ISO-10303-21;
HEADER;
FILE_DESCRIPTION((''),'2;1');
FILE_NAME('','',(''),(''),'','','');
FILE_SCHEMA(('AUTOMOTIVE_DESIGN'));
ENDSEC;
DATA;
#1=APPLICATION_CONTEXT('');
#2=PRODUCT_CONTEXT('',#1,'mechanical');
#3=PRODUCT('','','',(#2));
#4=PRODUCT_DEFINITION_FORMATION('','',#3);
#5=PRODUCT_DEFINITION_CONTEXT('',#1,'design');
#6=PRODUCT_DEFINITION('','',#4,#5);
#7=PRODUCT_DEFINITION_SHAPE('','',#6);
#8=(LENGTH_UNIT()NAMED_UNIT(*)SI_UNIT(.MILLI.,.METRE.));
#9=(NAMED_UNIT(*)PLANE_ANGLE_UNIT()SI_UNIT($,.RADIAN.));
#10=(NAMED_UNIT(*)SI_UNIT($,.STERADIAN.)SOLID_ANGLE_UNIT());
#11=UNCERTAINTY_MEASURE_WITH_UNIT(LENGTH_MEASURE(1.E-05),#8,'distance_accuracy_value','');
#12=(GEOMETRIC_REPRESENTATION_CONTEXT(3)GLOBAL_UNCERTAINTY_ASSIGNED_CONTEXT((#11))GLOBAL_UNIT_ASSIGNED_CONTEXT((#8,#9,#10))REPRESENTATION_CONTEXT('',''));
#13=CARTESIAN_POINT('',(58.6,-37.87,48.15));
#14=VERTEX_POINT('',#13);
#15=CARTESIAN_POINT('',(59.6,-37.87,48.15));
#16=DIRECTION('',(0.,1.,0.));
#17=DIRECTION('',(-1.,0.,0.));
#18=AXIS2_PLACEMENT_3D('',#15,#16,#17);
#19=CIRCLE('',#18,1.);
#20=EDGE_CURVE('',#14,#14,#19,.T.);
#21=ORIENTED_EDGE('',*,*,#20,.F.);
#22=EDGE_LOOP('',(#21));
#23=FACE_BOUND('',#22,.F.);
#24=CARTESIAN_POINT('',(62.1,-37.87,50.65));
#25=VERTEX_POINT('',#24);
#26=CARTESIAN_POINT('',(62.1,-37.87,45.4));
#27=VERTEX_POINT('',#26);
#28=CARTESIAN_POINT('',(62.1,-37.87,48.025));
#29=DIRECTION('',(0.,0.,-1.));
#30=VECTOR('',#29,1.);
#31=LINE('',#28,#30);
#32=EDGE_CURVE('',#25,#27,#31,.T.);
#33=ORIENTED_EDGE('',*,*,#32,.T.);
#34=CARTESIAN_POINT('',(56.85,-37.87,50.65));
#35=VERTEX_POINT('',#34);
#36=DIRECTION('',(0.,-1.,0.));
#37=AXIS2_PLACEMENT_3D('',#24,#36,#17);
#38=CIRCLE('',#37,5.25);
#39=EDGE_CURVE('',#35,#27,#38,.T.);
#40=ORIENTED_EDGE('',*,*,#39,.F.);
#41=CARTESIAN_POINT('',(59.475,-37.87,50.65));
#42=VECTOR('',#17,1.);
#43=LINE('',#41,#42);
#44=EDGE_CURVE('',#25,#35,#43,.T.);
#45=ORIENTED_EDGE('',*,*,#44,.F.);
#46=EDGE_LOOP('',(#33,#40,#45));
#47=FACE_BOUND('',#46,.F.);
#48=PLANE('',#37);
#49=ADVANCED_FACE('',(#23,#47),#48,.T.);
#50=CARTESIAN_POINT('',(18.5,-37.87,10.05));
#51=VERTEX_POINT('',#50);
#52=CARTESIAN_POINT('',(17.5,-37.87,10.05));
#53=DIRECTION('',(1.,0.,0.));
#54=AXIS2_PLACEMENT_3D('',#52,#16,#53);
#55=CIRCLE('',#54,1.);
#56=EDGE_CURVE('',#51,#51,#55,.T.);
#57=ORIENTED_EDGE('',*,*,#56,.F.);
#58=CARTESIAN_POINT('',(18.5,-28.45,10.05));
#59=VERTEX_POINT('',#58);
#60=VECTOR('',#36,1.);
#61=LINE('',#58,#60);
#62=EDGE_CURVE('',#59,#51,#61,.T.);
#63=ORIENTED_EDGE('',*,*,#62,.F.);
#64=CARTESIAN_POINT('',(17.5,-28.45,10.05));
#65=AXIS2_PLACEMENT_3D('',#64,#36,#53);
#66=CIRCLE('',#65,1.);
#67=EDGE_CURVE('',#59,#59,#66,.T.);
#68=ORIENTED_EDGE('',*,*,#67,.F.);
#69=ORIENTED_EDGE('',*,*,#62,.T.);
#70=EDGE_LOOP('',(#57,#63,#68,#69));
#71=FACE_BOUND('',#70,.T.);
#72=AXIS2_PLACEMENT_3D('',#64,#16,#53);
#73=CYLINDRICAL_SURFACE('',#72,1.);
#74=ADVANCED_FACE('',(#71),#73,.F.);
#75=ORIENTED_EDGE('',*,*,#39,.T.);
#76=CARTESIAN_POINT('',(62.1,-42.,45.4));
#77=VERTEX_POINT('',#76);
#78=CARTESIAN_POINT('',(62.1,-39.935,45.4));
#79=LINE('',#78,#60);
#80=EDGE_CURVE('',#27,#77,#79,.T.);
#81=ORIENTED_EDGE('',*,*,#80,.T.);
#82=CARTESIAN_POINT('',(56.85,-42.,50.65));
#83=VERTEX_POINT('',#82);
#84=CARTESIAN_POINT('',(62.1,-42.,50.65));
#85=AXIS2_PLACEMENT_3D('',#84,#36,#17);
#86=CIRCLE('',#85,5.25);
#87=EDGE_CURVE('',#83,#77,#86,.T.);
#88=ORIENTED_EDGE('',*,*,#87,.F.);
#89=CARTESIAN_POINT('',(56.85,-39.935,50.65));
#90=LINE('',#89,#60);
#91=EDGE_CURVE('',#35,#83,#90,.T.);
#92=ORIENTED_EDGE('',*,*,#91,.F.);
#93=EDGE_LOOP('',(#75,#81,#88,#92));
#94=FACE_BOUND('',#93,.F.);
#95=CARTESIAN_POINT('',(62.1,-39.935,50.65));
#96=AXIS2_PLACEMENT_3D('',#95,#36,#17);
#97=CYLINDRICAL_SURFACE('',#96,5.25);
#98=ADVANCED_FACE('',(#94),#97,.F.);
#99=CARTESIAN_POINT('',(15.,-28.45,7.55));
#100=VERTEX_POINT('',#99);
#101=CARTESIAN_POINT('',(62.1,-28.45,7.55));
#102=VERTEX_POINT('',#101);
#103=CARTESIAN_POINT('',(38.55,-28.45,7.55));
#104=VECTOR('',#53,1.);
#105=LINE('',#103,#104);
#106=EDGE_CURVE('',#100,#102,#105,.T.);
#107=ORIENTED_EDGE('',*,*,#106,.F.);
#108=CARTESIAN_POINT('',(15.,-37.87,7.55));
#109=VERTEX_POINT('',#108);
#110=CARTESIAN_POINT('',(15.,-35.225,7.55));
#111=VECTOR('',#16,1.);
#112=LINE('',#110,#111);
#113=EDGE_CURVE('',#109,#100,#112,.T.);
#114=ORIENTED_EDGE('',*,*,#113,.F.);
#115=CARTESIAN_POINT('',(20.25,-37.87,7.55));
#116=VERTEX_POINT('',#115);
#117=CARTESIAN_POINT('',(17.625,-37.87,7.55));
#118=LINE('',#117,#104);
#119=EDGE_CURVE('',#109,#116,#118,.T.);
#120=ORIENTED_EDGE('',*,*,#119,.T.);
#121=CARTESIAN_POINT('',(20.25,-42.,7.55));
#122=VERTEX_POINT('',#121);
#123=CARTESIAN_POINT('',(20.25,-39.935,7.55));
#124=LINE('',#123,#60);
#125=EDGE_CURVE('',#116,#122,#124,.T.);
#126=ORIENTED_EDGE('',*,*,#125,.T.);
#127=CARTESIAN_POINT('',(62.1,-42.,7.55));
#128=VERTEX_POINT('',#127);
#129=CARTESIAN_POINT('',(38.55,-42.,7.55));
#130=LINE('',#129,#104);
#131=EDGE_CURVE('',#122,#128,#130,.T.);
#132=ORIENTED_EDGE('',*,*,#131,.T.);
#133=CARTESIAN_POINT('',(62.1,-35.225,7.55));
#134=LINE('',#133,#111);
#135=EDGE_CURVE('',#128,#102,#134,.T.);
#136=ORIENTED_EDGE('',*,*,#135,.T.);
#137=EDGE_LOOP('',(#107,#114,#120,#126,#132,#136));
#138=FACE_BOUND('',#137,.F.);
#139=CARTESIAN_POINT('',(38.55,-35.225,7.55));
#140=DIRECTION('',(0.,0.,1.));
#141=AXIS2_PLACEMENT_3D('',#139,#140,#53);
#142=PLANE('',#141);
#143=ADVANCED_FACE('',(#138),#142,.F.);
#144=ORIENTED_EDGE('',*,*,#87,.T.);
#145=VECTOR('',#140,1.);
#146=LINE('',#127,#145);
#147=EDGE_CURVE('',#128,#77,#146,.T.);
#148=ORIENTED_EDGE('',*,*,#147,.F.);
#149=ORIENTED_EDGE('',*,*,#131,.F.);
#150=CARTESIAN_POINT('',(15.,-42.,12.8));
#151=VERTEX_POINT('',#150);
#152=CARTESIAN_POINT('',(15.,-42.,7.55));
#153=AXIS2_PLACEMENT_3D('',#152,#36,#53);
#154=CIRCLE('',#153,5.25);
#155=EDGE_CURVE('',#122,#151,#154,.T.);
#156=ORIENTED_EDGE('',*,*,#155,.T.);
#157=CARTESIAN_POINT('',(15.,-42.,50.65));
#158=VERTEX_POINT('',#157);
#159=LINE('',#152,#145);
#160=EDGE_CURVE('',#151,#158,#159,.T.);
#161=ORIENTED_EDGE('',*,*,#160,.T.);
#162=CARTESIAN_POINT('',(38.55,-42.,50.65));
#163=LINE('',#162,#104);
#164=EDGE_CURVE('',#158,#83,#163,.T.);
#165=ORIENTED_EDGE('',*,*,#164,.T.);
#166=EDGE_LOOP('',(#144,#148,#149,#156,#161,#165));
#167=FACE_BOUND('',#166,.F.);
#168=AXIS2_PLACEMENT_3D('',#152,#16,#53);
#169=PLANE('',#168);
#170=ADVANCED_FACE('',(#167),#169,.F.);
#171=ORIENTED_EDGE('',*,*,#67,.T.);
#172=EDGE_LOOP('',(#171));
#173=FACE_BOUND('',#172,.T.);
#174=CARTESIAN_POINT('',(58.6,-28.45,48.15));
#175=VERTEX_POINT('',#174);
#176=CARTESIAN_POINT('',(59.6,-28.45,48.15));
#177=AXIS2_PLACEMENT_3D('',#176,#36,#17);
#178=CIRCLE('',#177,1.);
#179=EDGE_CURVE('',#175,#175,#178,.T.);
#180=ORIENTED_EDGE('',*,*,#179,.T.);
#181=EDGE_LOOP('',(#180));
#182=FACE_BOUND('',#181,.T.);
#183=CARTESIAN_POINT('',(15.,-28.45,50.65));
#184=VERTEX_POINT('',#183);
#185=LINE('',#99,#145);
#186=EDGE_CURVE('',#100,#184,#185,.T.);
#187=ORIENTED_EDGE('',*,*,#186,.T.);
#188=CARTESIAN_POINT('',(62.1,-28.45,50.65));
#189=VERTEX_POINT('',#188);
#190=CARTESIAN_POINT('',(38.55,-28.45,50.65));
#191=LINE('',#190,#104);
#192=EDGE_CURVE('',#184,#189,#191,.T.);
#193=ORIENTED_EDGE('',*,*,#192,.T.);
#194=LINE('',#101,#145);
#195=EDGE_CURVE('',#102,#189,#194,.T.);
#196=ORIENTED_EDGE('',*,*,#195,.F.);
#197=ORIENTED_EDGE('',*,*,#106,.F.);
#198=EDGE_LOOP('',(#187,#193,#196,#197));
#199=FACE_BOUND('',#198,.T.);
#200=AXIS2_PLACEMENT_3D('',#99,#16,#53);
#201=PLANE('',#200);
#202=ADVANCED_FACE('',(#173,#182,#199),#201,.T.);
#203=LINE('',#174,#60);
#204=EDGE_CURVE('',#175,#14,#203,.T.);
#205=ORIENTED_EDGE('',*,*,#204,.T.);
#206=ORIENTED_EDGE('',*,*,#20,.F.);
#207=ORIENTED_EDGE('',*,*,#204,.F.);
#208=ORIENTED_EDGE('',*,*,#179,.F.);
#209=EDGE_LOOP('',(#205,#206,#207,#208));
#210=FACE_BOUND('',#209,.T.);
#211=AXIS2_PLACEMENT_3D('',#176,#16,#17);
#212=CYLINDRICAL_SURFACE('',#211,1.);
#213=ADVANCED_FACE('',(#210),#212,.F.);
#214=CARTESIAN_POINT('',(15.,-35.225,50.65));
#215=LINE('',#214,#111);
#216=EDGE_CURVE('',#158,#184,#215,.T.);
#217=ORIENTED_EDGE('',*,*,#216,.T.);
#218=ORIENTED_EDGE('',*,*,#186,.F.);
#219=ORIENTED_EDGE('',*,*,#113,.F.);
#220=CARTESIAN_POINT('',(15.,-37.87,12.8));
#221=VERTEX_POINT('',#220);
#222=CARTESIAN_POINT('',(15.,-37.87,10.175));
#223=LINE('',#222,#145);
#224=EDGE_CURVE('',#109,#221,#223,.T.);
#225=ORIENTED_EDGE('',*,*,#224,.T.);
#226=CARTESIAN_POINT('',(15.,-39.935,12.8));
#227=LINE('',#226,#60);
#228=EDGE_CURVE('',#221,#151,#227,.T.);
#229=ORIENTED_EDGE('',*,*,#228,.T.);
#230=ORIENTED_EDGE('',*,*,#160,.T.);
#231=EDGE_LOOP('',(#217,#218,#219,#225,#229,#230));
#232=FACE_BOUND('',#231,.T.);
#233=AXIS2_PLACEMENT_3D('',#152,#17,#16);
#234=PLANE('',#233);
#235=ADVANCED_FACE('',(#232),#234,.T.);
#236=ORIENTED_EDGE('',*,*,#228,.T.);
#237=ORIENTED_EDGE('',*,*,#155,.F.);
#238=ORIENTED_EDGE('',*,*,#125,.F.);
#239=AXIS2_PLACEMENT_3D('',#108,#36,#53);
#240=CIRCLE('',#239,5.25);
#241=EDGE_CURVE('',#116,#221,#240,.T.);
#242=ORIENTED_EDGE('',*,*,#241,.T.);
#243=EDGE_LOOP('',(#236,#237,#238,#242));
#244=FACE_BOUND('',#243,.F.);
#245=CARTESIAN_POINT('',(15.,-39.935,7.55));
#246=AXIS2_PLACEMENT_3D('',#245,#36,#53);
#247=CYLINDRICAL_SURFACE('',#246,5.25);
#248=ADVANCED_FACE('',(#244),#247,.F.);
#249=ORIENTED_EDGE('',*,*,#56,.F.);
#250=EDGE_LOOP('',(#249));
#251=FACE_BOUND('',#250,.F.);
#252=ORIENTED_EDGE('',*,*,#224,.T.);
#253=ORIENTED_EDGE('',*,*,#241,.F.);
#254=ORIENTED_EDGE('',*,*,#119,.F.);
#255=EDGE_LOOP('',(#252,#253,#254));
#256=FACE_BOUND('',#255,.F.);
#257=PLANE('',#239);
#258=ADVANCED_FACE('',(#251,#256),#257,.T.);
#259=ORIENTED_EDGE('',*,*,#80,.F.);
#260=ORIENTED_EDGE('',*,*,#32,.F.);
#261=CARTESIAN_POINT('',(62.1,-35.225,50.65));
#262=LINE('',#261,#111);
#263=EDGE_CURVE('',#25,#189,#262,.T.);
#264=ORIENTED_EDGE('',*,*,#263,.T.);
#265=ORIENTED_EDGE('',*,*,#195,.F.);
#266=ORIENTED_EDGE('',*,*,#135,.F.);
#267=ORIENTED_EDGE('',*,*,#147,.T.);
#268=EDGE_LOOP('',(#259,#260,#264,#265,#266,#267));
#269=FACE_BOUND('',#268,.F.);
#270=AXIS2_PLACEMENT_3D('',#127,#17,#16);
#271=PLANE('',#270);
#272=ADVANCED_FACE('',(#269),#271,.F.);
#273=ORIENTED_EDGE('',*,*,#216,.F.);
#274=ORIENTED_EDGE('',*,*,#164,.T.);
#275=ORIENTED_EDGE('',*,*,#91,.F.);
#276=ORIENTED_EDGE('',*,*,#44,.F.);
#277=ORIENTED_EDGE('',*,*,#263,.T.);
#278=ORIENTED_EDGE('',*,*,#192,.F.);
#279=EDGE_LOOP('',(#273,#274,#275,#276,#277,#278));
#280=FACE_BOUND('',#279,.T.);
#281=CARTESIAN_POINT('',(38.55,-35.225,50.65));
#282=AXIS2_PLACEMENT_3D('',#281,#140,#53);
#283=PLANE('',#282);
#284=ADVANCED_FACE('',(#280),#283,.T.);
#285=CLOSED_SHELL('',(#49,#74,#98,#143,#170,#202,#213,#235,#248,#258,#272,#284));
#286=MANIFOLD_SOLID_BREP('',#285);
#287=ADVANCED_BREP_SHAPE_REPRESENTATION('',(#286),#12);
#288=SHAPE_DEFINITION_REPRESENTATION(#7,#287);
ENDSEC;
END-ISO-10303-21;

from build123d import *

# Parameters (mm, degrees)
CYLINDER003_W             = 5.25
CYLINDER003_H             = 4.13
CYLINDER003_ANGLE         = 90
CYLINDER002_R             = 1
CYLINDER002_DEPTH         = 13.55
FUSION002_PLACEMENT_ANGLE = 180
CYLINDER001_W             = 5.25
CYLINDER001_H             = 4.13
CYLINDER001_ANGLE         = 90
CYLINDER_R                = 1
CYLINDER_DEPTH            = 13.55
BOX_W                     = 47.1
BOX_H                     = 13.55
BOX_DEPTH                 = 43.1


with BuildPart() as semicut001:
    # Cylinder003 → Cylinder003 (revolve)
    with BuildSketch(Plane(origin=(0, 4.13, 0), x_dir=(1, 0, 0), z_dir=(0, 0, -1))):
        with Locations((2.625, 2.065)):
            Rectangle(CYLINDER003_W, CYLINDER003_H)
    revolve(axis=Axis((0, 4.13, 0), (0, -1, 0)), revolution_arc=CYLINDER003_ANGLE)


with BuildPart() as ipscut001:
    # Cylinder002 → Cylinder002 (new body)
    with BuildSketch(Plane(origin=(2.5, 13.55, 2.5), x_dir=(1, 0, 0), z_dir=(0, -1, 0))):
        Circle(CYLINDER002_R)
    extrude(amount=CYLINDER002_DEPTH)

    # Fusion002: union semiCut001
    add(semicut001.part)


with BuildPart() as ipscut001_1:
    # Fusion002 placement: moved
    add(ipscut001.part.moved(Location((47.1, 0, 43.1))).rotate(Axis((47.1, 0, 43.1), (0, 1, 0)), FUSION002_PLACEMENT_ANGLE))


with BuildPart() as semicut:
    # Cylinder001 → Cylinder001 (revolve)
    with BuildSketch(Plane(origin=(0, 4.13, 0), x_dir=(1, 0, 0), z_dir=(0, 0, -1))):
        with Locations((2.625, 2.065)):
            Rectangle(CYLINDER001_W, CYLINDER001_H)
    revolve(axis=Axis((0, 4.13, 0), (0, -1, 0)), revolution_arc=CYLINDER001_ANGLE)


with BuildPart() as fusion003:
    # Cylinder → Cylinder (new body)
    with BuildSketch(Plane(origin=(2.5, 13.55, 2.5), x_dir=(1, 0, 0), z_dir=(0, -1, 0))):
        Circle(CYLINDER_R)
    extrude(amount=CYLINDER_DEPTH)

    # Fusion001: union semiCut
    add(semicut.part)

    # Fusion003: union ipsCut001
    add(ipscut001_1.part)


with BuildPart() as ips7100v:
    # Box → Box (new body)
    with BuildSketch(Plane.XY):
        with Locations((23.55, 6.775)):
            Rectangle(BOX_W, BOX_H)
    extrude(amount=BOX_DEPTH)

    # Cut: cut Fusion003
    add(fusion003.part, mode=Mode.SUBTRACT)


with BuildPart() as ips7100v_1:
    # Cut placement: moved
    add(ips7100v.part.moved(Location((15, -42, 7.55))))


solid = ips7100v_1.part
